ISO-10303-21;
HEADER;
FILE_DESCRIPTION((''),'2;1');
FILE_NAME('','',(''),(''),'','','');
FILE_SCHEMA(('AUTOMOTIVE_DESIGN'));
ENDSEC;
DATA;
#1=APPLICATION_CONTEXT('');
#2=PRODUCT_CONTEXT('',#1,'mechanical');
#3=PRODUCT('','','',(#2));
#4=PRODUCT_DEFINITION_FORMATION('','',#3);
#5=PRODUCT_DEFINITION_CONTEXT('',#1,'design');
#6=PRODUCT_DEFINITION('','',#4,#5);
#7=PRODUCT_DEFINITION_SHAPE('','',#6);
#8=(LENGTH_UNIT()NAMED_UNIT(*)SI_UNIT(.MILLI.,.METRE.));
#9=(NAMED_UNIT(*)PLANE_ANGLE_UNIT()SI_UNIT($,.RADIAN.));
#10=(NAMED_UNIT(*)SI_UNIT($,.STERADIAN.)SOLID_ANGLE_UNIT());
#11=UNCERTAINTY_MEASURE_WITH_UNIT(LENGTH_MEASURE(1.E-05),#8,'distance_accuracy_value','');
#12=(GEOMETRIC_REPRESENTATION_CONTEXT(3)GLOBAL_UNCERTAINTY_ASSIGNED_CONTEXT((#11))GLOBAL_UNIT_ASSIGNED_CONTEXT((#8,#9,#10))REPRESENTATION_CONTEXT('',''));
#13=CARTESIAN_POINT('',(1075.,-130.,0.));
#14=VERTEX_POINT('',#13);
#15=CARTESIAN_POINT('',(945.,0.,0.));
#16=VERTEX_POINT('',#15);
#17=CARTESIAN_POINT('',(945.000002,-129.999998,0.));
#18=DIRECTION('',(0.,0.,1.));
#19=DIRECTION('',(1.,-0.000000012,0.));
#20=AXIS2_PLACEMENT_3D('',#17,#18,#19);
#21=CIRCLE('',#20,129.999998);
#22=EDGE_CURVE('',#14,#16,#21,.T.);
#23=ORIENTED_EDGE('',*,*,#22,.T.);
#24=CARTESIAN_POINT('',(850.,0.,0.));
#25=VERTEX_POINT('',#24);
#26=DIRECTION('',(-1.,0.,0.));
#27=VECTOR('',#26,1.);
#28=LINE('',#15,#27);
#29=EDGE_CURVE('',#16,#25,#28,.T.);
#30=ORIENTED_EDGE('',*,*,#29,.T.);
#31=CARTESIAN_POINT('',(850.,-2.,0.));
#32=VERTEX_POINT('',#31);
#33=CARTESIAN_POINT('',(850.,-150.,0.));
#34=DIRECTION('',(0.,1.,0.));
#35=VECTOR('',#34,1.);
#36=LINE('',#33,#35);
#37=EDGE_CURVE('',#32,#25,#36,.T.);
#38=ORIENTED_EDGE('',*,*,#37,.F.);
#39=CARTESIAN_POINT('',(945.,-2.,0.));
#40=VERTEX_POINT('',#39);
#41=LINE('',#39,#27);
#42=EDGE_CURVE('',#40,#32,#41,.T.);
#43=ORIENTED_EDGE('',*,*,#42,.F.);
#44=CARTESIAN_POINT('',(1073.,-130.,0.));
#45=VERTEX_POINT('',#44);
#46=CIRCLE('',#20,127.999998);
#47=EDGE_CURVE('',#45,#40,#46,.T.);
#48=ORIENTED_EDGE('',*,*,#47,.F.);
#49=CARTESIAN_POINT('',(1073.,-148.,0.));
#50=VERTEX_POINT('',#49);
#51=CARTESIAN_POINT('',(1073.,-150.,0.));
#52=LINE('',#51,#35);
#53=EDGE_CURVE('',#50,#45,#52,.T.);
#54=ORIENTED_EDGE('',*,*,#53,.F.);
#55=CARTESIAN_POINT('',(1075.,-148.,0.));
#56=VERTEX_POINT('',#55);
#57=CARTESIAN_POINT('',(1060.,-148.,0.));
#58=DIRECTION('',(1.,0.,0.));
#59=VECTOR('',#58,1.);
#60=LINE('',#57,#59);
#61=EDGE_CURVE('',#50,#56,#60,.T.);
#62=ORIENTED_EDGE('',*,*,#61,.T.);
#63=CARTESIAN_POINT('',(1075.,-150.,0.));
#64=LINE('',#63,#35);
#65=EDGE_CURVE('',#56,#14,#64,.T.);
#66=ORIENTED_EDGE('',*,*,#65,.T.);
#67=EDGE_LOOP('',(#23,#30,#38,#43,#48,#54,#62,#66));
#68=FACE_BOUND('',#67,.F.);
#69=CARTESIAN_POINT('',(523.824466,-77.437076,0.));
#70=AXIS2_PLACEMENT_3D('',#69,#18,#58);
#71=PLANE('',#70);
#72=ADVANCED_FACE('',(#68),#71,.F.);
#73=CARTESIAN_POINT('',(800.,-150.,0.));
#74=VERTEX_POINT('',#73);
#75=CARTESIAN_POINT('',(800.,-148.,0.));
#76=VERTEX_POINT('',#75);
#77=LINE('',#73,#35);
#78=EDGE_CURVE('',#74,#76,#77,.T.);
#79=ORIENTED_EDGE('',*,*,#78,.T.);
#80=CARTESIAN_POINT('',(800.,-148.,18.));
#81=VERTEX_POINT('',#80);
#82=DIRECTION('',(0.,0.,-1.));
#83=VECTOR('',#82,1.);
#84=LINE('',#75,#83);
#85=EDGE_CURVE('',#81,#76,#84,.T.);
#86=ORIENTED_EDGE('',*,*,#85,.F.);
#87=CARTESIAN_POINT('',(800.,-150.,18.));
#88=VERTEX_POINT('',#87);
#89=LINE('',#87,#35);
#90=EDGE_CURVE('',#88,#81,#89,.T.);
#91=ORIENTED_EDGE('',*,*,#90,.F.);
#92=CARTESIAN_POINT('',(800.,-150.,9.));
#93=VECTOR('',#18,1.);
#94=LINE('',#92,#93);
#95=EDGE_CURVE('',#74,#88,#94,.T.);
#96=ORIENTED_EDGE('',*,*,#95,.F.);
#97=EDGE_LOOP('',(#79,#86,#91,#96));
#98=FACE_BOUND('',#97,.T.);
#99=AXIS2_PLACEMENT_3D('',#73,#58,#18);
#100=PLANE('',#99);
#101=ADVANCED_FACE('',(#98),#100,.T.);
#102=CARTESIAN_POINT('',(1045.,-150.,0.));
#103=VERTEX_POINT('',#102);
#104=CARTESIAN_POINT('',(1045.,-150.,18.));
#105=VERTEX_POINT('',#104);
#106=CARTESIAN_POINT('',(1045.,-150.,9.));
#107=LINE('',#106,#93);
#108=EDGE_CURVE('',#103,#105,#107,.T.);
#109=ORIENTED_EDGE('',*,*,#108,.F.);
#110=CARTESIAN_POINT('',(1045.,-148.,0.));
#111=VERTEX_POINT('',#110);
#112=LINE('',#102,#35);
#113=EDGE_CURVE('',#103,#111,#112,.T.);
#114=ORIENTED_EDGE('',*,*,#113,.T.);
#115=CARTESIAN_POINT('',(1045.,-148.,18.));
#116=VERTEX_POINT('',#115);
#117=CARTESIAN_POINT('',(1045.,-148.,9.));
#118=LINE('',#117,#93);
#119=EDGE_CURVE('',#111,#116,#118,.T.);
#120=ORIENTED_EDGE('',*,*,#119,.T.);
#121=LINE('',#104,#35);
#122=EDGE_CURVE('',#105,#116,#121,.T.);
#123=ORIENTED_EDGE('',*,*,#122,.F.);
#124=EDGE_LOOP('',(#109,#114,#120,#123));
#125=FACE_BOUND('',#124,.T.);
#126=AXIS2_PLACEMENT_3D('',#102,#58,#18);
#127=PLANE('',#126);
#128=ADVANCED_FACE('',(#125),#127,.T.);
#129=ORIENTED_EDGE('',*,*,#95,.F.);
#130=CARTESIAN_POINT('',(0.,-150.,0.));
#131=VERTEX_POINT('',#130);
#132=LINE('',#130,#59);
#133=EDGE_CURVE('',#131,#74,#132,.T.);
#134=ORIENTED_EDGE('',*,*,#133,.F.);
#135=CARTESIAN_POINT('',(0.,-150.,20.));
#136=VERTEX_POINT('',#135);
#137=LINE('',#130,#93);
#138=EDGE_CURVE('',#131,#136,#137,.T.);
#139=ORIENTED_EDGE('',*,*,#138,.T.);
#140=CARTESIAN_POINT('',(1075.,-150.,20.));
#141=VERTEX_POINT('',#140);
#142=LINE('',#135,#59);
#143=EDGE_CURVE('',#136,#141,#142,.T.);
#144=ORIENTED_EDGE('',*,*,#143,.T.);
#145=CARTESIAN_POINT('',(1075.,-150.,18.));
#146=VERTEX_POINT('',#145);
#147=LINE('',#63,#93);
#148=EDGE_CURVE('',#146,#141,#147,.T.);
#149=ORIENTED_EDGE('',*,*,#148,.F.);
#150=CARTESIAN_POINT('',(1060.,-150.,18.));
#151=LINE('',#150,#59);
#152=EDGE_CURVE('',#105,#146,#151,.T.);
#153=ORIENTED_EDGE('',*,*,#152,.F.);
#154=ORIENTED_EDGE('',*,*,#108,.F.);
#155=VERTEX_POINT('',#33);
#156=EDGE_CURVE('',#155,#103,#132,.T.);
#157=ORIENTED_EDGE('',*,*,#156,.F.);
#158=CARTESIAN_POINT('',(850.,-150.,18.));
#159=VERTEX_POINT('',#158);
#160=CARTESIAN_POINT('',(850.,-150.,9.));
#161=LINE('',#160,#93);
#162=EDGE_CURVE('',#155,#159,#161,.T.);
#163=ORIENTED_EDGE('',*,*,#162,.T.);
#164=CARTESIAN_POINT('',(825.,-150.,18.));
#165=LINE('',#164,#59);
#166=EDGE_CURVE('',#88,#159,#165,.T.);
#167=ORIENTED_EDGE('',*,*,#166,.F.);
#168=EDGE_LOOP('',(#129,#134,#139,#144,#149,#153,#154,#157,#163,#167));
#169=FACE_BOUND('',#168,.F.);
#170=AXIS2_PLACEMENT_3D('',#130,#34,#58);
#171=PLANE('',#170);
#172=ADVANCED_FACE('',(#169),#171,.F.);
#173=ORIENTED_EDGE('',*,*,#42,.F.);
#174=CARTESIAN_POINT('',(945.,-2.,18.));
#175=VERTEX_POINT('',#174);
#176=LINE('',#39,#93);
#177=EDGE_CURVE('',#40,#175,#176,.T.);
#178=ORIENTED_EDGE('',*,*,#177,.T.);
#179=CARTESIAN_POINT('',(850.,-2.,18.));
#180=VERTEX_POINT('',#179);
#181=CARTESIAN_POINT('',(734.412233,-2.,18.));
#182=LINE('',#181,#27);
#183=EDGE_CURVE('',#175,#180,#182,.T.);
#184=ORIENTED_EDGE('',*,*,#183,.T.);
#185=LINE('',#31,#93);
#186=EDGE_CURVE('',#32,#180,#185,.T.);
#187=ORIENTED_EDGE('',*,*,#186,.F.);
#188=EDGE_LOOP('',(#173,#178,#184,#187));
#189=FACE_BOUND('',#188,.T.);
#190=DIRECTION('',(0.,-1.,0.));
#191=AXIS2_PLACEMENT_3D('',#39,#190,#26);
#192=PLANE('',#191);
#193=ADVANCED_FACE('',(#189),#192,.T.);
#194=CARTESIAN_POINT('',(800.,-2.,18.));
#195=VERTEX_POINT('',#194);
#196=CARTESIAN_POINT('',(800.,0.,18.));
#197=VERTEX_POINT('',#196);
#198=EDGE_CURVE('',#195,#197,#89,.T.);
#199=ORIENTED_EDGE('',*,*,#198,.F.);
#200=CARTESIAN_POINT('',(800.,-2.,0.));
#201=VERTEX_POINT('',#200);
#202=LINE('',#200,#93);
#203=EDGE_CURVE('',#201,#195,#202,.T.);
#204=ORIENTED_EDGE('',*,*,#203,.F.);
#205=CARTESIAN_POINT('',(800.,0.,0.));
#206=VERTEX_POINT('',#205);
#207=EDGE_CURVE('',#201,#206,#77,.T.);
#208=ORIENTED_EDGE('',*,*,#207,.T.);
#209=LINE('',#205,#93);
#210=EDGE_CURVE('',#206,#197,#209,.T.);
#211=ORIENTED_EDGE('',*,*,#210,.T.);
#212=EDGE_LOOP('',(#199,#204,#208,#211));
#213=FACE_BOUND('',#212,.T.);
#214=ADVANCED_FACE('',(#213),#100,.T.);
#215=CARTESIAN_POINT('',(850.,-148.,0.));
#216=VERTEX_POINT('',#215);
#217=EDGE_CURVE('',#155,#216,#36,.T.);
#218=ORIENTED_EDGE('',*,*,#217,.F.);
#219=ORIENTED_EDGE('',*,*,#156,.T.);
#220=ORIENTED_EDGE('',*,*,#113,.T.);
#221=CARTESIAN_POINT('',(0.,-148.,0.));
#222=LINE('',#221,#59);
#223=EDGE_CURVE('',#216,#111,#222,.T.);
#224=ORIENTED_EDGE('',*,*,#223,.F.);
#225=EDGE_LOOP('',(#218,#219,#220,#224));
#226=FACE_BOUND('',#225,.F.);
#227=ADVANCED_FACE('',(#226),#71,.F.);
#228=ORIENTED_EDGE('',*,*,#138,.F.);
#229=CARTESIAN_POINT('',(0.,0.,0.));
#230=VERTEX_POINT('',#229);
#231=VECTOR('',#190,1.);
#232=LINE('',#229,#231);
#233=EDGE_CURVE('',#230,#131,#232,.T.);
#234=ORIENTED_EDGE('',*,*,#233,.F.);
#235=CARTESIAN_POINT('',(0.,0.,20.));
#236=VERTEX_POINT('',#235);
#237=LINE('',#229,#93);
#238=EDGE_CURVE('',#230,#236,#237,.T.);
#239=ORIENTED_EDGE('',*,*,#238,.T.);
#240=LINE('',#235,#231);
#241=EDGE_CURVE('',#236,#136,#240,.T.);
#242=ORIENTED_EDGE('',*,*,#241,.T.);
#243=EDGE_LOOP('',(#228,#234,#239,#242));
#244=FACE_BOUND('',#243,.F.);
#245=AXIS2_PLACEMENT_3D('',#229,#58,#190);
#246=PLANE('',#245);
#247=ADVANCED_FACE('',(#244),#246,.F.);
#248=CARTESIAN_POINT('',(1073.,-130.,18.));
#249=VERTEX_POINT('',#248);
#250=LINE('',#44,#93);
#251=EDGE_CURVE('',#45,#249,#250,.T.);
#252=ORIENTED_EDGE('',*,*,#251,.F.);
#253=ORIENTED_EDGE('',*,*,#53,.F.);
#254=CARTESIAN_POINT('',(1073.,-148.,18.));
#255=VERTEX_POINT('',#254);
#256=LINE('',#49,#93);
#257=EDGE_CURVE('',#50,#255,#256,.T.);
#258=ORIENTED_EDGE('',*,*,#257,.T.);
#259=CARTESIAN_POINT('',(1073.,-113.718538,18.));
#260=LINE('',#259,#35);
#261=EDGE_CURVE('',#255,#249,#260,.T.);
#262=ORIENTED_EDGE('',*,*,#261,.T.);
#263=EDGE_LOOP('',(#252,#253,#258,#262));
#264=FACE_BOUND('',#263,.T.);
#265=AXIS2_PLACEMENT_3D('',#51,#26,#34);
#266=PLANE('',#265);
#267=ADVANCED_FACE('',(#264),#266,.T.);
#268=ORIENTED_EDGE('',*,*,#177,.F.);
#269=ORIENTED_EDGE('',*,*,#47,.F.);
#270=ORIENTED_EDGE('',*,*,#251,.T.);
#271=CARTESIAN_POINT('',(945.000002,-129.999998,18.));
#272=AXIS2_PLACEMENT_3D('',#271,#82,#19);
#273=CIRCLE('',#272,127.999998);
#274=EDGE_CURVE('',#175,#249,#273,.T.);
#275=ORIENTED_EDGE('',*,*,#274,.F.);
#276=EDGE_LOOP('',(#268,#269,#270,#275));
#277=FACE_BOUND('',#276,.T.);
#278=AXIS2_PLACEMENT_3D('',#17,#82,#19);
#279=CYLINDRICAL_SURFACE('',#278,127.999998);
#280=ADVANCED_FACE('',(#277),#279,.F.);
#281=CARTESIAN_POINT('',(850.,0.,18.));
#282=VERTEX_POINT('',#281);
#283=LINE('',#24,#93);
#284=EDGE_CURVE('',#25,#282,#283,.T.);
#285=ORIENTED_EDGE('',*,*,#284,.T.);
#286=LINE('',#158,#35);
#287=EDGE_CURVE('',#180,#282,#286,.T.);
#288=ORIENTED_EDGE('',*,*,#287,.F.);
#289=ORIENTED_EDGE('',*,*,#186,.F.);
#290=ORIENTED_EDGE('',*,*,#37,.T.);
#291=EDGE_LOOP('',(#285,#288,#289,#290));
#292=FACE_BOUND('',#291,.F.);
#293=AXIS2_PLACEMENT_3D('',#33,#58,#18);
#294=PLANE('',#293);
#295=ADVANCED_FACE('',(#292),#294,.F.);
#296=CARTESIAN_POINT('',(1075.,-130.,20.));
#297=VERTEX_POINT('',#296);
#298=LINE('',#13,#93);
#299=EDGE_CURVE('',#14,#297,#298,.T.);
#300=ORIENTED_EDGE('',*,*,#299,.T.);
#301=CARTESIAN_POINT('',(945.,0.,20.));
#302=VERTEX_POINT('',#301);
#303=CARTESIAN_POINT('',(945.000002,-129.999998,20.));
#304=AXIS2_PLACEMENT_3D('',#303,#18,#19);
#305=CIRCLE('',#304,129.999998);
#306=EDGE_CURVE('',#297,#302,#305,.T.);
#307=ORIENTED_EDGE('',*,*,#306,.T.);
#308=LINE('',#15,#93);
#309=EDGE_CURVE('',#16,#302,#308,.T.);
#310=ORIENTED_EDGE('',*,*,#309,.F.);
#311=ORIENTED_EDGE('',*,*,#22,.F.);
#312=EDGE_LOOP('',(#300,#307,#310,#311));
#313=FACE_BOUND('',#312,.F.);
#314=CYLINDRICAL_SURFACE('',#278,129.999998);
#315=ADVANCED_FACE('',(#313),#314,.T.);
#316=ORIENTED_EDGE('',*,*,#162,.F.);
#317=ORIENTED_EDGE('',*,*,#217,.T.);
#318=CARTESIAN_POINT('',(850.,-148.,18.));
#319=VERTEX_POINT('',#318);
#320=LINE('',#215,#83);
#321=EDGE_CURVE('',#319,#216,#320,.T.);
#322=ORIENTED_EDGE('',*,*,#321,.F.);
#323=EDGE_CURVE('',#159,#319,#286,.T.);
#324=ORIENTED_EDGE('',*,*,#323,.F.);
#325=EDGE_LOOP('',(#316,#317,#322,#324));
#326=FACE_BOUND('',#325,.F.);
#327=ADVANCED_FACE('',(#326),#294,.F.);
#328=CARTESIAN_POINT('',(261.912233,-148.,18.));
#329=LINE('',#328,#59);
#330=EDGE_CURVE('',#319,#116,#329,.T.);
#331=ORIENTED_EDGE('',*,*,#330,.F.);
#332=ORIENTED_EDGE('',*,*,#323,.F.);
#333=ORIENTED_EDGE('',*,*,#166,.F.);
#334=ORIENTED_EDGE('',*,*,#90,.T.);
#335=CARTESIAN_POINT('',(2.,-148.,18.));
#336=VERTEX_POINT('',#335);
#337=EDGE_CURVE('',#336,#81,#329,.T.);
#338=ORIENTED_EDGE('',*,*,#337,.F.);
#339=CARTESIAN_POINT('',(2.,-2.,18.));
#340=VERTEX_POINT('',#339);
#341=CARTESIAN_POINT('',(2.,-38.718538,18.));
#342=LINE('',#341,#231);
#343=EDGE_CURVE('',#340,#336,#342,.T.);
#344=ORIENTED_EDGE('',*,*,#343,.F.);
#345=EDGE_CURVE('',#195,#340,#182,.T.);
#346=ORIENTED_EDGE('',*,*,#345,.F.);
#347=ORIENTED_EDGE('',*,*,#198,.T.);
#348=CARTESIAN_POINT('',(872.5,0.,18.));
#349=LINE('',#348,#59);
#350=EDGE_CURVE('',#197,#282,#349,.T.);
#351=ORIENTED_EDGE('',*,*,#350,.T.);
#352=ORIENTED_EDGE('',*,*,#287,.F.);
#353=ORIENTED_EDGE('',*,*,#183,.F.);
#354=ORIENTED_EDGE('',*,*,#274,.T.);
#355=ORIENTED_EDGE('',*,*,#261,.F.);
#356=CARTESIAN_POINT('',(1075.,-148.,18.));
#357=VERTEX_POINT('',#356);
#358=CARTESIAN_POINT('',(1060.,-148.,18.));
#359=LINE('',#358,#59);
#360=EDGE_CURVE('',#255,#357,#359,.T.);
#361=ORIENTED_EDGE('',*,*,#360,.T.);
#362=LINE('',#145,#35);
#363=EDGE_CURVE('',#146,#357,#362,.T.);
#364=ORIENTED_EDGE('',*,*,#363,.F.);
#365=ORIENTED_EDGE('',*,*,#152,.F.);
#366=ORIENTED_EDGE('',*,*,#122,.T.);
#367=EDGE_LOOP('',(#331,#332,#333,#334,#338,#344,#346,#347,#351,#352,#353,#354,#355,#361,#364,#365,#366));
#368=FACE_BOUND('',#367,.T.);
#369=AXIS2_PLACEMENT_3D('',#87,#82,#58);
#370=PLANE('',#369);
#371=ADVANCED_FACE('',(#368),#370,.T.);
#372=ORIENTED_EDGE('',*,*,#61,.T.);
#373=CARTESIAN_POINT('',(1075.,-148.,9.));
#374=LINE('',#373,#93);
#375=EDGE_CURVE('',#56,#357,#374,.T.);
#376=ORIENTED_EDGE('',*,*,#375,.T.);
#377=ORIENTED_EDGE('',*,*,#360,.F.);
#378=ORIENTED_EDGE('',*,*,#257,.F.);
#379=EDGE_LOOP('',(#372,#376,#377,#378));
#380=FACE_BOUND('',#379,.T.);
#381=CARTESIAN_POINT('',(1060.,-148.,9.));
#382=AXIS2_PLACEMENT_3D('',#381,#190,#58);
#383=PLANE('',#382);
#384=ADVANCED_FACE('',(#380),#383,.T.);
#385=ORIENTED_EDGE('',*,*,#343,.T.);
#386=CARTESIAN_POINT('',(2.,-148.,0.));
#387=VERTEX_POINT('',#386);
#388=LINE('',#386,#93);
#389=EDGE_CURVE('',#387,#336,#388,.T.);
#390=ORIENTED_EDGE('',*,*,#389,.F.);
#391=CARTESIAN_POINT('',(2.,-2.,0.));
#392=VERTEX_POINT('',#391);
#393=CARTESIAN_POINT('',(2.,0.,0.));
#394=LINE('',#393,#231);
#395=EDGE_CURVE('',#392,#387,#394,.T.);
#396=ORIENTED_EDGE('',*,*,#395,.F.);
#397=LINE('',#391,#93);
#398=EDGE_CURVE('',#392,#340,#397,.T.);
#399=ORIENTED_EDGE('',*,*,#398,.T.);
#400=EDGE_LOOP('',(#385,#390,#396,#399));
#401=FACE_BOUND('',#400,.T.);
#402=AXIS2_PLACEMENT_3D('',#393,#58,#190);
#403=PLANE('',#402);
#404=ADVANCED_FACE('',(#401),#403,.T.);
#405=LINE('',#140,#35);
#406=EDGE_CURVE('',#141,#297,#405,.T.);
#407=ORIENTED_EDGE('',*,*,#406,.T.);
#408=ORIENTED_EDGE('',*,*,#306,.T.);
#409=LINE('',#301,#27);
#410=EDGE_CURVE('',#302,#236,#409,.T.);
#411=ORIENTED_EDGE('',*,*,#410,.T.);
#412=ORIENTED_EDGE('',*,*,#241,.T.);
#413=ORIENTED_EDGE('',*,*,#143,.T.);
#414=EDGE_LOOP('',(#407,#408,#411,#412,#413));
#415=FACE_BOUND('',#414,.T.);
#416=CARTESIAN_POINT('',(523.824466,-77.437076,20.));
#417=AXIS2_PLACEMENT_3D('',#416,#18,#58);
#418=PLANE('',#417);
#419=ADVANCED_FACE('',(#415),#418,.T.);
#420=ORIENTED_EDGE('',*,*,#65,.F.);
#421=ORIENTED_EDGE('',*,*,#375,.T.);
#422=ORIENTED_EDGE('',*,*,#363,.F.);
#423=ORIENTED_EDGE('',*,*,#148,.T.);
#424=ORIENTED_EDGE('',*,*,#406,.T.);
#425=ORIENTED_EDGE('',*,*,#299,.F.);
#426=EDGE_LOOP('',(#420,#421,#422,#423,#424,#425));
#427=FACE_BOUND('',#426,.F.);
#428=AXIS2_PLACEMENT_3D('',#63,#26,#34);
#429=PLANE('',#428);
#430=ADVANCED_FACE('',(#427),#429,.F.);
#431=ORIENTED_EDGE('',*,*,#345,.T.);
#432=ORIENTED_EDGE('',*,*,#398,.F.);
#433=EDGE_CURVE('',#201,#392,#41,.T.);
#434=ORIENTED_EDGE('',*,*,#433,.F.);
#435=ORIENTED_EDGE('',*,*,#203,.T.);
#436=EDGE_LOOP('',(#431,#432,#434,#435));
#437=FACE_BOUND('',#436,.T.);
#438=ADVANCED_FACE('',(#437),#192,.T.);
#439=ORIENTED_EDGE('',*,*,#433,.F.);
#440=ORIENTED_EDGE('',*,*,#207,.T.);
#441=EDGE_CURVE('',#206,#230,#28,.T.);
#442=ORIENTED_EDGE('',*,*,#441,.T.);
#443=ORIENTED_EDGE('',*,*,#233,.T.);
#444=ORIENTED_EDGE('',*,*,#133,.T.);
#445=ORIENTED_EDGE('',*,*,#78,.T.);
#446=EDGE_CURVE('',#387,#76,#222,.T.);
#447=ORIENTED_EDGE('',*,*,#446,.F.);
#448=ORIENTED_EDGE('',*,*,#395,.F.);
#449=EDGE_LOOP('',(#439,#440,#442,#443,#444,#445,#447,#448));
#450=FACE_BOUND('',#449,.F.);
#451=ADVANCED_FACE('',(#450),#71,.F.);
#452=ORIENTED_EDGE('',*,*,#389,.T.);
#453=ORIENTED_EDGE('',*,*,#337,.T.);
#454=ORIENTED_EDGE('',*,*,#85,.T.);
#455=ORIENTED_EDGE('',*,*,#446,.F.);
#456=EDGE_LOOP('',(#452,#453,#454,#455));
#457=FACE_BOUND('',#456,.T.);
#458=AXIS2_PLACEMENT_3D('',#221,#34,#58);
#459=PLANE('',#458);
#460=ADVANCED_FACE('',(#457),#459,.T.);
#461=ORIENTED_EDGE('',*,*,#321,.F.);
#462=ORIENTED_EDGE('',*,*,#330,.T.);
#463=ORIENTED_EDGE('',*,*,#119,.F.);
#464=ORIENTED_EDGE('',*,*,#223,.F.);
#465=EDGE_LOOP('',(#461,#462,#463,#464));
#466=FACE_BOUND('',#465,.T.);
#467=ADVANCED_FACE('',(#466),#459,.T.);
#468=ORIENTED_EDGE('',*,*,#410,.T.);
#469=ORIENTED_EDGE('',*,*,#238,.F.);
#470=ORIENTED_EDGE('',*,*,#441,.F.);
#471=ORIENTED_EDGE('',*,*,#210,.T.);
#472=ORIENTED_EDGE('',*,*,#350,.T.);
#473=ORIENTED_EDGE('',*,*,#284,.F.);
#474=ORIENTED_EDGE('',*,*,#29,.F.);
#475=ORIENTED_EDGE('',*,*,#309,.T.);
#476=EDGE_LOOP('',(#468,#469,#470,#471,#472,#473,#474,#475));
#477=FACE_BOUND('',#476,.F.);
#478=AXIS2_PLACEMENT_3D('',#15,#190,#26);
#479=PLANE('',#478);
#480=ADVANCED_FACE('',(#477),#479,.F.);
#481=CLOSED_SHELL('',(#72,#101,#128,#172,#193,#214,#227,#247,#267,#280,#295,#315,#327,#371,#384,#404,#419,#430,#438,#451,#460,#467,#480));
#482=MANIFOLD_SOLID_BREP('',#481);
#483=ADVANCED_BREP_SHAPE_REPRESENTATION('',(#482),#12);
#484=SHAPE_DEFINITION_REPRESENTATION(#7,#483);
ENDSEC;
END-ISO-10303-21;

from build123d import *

# Parameters (mm, degrees)
F1_DEPTH = 20
F2_T     = -2
F3_W     = 50
F3_H     = 18
F4_DEPTH = 600
F5_W     = 30
F5_H     = 18
F6_DEPTH = 2


with BuildPart() as f1:
    # F0 (on Top) → F1 (new body)
    with BuildSketch(Plane.XY):
        with BuildLine():
            Line((945, 0), (0, 0))
            Line((0, 0), (0, -150))
            Line((0, -150), (1075, -150))
            Line((1075, -150), (1075, -130))
            ThreePointArc((1075, -130), (1036.923882, -38.076118), (945, 0))
        make_face()
    extrude(amount=F1_DEPTH)

    # F2
    f2_openings = [f1.faces().sort_by_distance(p)[0] for p in [
        (525.800735, -76.057549, 0),
    ]]
    offset(amount=F2_T, openings=f2_openings)

    # F3 (on face) → F4 (cut)
    with BuildSketch(Plane.XZ.offset(150)):
        with Locations((825, 9)):
            Rectangle(F3_W, F3_H)
    extrude(amount=-F4_DEPTH, mode=Mode.SUBTRACT)

    # F5 (on face) → F6 (cut)
    with BuildSketch(Plane.XZ.offset(150)):
        with Locations((1060, 9)):
            Rectangle(F5_W, F5_H)
    extrude(amount=-F6_DEPTH, mode=Mode.SUBTRACT)


solid = f1.part
